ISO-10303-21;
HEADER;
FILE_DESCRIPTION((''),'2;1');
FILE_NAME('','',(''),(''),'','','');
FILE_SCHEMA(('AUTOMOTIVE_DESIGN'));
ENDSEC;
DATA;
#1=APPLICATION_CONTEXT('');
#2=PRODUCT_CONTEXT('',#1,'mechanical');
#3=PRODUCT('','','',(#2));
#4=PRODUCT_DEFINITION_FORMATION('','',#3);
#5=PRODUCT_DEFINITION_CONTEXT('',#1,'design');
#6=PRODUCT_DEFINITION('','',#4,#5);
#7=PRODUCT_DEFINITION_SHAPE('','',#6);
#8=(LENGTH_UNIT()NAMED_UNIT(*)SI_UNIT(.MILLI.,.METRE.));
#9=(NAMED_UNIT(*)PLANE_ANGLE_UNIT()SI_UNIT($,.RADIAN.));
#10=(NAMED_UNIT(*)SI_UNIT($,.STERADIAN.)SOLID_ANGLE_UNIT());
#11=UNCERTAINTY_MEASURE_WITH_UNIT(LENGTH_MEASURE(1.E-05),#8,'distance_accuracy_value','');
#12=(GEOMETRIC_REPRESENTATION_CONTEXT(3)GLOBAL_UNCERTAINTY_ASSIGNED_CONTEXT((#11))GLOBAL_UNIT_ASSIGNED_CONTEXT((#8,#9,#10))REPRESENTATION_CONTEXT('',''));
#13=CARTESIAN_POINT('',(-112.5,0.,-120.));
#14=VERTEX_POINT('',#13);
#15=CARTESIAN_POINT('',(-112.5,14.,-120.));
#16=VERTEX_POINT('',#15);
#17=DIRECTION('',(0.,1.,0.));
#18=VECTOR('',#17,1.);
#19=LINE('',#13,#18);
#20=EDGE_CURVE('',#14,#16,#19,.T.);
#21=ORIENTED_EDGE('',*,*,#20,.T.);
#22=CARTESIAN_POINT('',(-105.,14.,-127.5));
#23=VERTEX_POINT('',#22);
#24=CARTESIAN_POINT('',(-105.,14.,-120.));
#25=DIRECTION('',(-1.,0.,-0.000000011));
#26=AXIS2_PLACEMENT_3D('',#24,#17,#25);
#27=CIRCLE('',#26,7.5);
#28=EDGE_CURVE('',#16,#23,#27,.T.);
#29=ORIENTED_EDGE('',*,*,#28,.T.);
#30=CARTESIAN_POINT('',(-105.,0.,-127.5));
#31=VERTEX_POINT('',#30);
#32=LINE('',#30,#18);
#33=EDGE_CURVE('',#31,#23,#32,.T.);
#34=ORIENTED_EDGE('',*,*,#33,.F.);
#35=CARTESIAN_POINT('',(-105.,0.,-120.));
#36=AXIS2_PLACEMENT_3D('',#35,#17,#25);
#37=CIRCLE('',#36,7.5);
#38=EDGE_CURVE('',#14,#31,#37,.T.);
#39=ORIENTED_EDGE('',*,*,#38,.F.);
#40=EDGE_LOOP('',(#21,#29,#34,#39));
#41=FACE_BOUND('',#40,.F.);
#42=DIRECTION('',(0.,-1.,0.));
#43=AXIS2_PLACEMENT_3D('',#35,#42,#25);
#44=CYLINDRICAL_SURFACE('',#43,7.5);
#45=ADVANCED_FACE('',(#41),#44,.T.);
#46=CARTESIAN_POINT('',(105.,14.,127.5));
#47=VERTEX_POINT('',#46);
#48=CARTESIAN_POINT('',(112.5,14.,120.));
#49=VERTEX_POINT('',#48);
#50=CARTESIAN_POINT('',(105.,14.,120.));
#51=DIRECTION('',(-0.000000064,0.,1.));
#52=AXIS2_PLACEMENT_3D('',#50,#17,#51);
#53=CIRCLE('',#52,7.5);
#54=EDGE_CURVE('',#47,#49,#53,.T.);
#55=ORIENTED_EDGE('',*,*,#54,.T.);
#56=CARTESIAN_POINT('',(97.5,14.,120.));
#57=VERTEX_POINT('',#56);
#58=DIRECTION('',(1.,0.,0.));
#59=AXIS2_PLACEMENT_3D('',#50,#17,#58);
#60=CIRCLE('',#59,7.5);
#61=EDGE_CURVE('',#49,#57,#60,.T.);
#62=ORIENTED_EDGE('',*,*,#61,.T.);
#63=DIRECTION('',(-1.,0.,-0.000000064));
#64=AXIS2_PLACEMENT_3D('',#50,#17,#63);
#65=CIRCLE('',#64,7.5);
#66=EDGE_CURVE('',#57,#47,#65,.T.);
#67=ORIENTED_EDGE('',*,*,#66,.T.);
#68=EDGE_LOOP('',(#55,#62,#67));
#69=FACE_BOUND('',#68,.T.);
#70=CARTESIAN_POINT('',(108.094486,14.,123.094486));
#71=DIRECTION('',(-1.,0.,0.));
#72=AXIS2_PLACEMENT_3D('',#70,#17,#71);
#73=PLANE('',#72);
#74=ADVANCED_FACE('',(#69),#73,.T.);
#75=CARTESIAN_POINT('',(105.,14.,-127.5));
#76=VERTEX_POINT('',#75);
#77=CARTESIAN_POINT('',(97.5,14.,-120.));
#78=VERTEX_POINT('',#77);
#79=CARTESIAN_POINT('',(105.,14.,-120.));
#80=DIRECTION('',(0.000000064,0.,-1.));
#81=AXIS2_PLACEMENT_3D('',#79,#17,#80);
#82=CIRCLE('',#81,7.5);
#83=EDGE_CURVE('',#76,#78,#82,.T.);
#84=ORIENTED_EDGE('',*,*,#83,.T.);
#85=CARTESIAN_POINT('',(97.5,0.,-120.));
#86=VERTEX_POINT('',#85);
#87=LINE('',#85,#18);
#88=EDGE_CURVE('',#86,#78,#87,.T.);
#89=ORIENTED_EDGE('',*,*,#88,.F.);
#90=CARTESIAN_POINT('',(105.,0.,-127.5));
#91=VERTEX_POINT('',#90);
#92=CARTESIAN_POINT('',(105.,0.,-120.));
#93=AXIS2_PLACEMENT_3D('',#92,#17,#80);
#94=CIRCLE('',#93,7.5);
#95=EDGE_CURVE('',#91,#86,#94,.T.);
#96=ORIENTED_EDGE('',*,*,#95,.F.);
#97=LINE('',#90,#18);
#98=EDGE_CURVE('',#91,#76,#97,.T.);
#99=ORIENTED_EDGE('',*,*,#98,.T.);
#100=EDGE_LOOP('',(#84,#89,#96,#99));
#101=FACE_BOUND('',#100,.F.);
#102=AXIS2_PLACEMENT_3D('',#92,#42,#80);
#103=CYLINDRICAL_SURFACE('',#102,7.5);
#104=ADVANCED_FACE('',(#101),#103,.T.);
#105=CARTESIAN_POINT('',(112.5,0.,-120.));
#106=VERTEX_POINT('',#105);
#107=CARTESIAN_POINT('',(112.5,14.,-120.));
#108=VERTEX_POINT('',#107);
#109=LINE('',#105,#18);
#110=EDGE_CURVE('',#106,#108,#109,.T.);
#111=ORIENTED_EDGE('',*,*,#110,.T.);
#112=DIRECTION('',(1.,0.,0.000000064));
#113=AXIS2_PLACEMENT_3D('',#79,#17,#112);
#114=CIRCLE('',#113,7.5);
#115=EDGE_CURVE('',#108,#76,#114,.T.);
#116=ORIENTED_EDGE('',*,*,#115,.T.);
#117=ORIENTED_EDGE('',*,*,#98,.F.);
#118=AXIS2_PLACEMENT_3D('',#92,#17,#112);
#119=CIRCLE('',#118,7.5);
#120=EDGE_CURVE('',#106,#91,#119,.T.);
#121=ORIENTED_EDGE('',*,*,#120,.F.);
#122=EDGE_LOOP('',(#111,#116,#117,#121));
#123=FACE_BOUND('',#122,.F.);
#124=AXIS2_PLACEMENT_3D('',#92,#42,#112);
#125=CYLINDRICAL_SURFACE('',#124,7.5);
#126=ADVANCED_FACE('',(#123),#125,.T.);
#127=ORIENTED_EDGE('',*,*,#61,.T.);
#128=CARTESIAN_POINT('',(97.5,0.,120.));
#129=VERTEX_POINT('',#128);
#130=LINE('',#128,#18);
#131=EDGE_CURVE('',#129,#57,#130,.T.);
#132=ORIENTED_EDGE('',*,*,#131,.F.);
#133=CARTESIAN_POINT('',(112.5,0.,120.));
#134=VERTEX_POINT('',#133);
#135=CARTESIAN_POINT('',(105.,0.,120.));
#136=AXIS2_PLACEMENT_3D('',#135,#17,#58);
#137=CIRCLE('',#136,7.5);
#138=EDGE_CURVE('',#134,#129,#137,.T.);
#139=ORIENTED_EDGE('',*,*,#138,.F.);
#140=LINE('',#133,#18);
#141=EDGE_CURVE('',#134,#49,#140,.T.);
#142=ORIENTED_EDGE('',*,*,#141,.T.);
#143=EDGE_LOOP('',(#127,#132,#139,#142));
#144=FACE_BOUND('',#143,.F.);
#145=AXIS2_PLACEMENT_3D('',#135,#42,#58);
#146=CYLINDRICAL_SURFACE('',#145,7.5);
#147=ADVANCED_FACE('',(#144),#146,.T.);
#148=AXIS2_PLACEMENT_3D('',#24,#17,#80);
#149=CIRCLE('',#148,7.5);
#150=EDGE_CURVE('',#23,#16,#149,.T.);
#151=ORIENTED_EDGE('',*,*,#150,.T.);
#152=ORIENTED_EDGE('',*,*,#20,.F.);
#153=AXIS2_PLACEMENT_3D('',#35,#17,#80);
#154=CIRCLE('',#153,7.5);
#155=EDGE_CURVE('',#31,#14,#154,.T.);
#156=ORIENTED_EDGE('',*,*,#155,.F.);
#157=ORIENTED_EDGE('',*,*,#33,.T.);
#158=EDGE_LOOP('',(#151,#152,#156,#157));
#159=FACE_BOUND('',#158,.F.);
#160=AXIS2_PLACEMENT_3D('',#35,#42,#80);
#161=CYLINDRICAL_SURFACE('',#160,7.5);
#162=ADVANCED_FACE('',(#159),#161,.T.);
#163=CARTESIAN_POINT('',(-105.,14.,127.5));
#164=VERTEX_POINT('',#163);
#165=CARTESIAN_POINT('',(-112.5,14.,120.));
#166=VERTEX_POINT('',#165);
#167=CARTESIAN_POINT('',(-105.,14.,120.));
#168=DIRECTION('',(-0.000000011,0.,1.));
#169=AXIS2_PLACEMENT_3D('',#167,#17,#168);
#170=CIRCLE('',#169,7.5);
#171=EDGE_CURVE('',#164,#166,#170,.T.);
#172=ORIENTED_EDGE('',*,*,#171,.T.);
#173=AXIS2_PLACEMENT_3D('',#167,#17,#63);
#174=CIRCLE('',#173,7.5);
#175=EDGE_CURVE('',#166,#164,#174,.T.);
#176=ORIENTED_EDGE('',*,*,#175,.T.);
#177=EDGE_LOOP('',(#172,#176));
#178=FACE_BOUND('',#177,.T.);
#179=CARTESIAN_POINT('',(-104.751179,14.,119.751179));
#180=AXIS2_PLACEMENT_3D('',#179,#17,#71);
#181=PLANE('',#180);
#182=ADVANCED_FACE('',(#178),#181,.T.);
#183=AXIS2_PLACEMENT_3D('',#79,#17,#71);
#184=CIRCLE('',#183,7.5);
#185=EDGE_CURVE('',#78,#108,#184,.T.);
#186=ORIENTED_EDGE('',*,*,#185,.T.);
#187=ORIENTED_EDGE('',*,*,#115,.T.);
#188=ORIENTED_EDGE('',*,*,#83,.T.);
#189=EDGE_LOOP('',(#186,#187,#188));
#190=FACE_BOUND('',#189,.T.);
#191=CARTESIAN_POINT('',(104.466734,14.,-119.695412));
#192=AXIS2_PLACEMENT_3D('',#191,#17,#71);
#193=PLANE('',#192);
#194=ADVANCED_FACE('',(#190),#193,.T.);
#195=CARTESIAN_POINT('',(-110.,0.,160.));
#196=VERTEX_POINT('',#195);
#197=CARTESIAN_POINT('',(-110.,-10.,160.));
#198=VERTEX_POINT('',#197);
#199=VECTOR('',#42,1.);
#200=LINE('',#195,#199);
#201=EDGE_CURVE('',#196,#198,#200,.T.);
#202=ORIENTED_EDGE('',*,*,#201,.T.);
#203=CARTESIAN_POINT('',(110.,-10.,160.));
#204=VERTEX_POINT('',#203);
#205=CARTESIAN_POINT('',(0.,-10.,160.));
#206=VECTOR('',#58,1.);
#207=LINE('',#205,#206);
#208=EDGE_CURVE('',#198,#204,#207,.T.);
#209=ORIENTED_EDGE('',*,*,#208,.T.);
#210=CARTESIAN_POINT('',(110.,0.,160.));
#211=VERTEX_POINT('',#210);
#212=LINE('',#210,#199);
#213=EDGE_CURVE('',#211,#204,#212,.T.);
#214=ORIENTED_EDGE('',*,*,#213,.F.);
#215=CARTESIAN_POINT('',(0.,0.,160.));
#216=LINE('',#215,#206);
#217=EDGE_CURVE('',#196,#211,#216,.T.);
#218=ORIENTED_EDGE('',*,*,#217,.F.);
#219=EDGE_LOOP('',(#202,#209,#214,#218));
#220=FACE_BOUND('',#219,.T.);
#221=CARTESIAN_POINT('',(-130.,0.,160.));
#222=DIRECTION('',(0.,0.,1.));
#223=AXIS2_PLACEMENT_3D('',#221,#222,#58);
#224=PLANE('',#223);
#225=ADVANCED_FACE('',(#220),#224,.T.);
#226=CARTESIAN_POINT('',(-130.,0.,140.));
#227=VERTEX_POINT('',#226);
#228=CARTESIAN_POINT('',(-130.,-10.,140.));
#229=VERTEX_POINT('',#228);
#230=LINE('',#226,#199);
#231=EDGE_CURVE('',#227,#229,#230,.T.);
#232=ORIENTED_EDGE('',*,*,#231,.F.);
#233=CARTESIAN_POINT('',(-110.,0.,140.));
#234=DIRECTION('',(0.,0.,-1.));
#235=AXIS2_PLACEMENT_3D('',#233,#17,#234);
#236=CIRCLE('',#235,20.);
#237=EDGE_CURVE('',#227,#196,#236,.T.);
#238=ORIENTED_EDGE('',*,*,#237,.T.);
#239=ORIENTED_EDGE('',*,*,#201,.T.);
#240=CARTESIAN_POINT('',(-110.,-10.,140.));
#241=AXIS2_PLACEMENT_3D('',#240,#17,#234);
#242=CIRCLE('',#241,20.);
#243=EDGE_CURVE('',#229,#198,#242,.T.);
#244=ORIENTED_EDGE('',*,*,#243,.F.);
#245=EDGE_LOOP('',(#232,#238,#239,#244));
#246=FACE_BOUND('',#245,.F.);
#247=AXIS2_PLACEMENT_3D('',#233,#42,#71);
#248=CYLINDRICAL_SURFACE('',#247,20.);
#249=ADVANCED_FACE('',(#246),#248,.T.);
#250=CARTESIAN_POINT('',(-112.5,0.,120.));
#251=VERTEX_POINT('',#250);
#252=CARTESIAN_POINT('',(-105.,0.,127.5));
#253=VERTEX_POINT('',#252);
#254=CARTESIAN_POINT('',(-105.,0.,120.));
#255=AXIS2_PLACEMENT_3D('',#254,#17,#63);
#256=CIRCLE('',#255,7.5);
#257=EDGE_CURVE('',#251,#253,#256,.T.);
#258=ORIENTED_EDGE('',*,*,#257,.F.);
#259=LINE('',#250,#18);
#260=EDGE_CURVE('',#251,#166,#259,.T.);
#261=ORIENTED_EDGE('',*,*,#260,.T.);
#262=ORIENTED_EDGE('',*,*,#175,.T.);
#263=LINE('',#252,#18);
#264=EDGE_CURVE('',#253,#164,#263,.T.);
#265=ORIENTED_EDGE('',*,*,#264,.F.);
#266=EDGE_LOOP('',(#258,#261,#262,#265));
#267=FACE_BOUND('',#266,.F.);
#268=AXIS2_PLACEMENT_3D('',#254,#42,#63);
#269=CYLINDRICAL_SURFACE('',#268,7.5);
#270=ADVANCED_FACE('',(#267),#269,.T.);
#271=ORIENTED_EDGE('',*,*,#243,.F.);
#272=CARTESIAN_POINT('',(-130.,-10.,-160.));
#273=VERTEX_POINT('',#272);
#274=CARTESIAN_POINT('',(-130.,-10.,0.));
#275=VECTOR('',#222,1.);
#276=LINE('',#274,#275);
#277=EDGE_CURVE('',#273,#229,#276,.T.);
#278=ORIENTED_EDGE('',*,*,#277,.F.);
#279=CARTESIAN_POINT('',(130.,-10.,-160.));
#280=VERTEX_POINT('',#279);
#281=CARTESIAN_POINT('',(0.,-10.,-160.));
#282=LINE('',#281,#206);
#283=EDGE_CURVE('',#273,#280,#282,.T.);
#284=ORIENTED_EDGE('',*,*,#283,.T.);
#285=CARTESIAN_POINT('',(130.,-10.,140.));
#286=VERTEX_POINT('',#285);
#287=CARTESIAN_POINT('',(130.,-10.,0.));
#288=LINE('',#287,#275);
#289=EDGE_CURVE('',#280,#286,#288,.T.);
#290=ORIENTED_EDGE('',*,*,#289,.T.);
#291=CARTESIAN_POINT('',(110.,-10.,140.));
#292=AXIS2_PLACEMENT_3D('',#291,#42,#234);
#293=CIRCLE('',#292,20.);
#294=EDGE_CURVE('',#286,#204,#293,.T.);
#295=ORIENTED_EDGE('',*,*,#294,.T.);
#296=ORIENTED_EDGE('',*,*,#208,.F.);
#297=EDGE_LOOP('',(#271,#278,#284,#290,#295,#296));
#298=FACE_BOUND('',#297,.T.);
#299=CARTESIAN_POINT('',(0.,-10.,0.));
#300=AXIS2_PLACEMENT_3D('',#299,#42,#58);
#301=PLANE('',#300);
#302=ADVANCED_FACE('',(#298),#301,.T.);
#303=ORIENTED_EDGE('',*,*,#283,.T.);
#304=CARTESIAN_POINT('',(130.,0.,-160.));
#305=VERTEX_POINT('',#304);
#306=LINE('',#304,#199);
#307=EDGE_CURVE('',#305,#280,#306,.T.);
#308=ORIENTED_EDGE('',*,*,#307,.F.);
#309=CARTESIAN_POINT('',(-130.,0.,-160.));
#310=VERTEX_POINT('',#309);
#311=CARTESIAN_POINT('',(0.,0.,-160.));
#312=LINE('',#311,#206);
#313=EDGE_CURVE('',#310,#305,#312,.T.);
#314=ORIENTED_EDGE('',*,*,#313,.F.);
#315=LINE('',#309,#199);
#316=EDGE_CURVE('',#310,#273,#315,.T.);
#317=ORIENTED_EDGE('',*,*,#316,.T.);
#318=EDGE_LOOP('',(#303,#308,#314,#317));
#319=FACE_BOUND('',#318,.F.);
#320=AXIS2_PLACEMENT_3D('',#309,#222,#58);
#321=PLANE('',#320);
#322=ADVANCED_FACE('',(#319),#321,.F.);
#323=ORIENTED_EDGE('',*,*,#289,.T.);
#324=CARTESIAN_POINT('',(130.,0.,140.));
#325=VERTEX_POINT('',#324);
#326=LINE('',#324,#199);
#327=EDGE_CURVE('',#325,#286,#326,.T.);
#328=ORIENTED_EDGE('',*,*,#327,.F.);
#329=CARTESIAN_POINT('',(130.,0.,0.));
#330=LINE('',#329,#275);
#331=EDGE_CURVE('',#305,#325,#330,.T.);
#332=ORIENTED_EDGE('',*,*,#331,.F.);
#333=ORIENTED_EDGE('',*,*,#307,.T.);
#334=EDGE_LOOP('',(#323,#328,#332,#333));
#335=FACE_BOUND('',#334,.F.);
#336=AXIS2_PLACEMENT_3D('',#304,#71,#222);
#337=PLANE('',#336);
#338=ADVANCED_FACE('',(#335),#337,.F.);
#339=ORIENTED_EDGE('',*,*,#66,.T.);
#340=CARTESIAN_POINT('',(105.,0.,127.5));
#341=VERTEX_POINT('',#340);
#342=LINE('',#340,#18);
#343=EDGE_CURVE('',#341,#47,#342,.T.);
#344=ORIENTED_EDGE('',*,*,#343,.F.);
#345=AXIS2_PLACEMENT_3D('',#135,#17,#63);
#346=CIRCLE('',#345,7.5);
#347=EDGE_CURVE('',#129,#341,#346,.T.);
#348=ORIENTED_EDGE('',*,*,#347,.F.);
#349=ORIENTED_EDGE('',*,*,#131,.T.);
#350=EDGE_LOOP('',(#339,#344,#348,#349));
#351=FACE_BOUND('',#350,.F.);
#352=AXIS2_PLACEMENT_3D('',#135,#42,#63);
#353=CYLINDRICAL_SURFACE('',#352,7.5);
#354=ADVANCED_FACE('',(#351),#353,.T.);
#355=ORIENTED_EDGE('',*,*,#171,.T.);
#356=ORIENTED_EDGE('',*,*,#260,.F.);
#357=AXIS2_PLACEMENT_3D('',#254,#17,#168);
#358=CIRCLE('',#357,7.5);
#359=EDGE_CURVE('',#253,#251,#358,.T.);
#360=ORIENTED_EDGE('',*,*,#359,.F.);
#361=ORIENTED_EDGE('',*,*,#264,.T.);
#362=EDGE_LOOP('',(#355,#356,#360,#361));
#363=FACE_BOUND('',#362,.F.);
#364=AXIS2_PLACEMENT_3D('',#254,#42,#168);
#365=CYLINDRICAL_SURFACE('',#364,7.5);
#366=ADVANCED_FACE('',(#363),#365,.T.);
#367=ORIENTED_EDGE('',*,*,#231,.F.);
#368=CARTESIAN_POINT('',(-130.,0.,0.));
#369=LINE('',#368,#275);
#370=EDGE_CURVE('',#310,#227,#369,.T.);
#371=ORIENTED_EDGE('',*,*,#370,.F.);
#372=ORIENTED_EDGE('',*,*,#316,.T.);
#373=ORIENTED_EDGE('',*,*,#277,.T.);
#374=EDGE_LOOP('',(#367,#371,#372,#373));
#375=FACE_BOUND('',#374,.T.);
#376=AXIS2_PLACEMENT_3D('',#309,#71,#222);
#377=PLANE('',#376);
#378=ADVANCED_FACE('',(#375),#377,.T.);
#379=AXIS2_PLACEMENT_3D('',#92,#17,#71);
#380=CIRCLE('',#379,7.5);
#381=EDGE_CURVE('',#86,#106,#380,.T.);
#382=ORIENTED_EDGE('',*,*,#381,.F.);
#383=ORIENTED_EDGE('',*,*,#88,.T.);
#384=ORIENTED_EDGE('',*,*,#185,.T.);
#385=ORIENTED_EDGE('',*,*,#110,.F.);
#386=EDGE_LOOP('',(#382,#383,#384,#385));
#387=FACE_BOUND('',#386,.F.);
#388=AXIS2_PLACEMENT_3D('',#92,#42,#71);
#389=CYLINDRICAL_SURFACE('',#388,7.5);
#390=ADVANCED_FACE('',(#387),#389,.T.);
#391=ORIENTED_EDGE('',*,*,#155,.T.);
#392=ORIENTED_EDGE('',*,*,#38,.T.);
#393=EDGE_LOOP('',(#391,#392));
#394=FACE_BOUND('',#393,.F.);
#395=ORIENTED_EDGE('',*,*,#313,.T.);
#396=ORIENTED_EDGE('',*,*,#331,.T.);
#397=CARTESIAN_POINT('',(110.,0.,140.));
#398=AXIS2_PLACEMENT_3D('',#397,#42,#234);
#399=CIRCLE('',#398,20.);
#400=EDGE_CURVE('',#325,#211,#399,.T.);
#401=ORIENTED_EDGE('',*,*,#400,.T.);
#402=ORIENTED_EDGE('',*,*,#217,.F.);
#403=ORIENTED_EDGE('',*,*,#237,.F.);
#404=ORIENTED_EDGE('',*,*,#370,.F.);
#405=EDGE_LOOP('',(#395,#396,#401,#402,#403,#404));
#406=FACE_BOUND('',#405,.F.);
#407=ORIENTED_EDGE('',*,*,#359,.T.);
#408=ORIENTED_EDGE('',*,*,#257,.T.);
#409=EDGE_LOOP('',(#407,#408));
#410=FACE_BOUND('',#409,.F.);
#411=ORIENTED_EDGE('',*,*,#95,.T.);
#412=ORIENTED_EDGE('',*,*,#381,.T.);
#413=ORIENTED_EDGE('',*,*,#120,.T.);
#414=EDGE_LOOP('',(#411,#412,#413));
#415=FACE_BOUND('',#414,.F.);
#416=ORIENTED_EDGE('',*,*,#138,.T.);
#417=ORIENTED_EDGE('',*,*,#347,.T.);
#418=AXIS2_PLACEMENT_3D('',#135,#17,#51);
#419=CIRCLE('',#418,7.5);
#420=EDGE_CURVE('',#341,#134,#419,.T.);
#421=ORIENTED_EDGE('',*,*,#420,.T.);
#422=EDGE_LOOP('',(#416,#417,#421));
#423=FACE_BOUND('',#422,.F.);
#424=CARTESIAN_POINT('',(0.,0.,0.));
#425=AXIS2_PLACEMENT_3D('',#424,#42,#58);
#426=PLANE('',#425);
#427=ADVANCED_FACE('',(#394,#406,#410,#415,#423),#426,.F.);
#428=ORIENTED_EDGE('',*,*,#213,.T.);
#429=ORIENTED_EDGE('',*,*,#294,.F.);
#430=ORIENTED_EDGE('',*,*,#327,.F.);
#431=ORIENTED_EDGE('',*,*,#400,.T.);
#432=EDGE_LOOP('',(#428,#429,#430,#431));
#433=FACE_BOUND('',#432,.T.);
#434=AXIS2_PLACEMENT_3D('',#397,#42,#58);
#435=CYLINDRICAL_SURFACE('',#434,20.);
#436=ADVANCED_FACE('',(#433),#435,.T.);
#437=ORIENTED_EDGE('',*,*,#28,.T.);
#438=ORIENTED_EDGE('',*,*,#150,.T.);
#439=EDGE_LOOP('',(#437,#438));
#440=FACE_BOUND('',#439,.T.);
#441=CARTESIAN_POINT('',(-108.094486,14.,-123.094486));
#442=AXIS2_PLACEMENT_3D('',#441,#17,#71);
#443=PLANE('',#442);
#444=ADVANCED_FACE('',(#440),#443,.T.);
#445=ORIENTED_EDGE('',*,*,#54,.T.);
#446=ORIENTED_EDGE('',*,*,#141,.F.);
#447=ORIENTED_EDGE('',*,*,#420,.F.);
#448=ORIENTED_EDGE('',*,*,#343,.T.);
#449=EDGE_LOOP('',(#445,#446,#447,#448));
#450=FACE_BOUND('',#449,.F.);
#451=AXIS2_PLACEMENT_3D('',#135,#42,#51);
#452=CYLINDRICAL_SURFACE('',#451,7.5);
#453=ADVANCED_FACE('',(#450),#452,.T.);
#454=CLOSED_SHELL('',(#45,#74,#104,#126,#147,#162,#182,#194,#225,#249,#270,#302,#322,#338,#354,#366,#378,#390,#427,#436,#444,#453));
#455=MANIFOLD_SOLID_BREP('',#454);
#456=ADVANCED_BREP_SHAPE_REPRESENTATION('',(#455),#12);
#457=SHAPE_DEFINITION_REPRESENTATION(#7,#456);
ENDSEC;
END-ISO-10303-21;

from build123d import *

# Parameters (mm, degrees)
F0_W     = 260
F0_H     = 320
F1_DEPTH = 10
F2_R     = 20
F4_DEPTH = 14


with BuildPart() as f1:
    # F0 (on Front) → F1 (new body)
    with BuildSketch(Plane.XZ):
        Rectangle(F0_W, F0_H)
    extrude(amount=F1_DEPTH)

    # F2
    f2_edges = [f1.edges().sort_by_distance(p)[0] for p in [
        (-130, -5, 160),
        (130, -5, 160),
    ]]
    fillet(f2_edges, radius=F2_R)

    # F3 (on face) → F4 (join)
    with BuildSketch(Plane(origin=(0, 0, 0), x_dir=(-1, 0, 0), z_dir=(0, 1, 0))):
        with BuildLine():
            ThreePointArc((-97.5, -120), (-105, -112.5), (-112.5, -120))
            Line((-112.5, -120), (-105, -120))
            Line((-105, -120), (-105, -127.5))
            ThreePointArc((-105, -127.5), (-99.696699, -125.303301), (-97.5, -120))
        make_face()
        with BuildLine():
            Line((-105, -120), (-112.5, -120))
            ThreePointArc((-112.5, -120), (-110.303301, -125.303301), (-105, -127.5))
            Line((-105, -127.5), (-105, -120))
        make_face()
        with BuildLine():
            ThreePointArc((105, -127.5), (110.303301, -125.303301), (112.5, -120))
            Line((112.5, -120), (105, -120))
            Line((105, -120), (105, -127.5))
        make_face()
        with BuildLine():
            Line((105, -120), (112.5, -120))
            ThreePointArc((112.5, -120), (99.696699, -114.696699), (105, -127.5))
            Line((105, -127.5), (105, -120))
        make_face()
        with BuildLine():
            ThreePointArc((105, 127.5), (99.696699, 114.696699), (112.5, 120))
            Line((112.5, 120), (105, 120))
            Line((105, 120), (105, 127.5))
        make_face()
        with BuildLine():
            Line((105, 120), (112.5, 120))
            ThreePointArc((112.5, 120), (110.303301, 125.303301), (105, 127.5))
            Line((105, 127.5), (105, 120))
        make_face()
        with BuildLine():
            ThreePointArc((-105, 127.5), (-110.303301, 125.303301), (-112.5, 120))
            Line((-112.5, 120), (-105, 120))
            Line((-105, 120), (-105, 127.5))
        make_face()
        with BuildLine():
            Line((-105, 120), (-112.5, 120))
            ThreePointArc((-112.5, 120), (-105, 112.5), (-97.5, 120))
            ThreePointArc((-97.5, 120), (-99.696699, 125.303301), (-105, 127.5))
            Line((-105, 127.5), (-105, 120))
        make_face()
    extrude(amount=F4_DEPTH)


solid = f1.part
